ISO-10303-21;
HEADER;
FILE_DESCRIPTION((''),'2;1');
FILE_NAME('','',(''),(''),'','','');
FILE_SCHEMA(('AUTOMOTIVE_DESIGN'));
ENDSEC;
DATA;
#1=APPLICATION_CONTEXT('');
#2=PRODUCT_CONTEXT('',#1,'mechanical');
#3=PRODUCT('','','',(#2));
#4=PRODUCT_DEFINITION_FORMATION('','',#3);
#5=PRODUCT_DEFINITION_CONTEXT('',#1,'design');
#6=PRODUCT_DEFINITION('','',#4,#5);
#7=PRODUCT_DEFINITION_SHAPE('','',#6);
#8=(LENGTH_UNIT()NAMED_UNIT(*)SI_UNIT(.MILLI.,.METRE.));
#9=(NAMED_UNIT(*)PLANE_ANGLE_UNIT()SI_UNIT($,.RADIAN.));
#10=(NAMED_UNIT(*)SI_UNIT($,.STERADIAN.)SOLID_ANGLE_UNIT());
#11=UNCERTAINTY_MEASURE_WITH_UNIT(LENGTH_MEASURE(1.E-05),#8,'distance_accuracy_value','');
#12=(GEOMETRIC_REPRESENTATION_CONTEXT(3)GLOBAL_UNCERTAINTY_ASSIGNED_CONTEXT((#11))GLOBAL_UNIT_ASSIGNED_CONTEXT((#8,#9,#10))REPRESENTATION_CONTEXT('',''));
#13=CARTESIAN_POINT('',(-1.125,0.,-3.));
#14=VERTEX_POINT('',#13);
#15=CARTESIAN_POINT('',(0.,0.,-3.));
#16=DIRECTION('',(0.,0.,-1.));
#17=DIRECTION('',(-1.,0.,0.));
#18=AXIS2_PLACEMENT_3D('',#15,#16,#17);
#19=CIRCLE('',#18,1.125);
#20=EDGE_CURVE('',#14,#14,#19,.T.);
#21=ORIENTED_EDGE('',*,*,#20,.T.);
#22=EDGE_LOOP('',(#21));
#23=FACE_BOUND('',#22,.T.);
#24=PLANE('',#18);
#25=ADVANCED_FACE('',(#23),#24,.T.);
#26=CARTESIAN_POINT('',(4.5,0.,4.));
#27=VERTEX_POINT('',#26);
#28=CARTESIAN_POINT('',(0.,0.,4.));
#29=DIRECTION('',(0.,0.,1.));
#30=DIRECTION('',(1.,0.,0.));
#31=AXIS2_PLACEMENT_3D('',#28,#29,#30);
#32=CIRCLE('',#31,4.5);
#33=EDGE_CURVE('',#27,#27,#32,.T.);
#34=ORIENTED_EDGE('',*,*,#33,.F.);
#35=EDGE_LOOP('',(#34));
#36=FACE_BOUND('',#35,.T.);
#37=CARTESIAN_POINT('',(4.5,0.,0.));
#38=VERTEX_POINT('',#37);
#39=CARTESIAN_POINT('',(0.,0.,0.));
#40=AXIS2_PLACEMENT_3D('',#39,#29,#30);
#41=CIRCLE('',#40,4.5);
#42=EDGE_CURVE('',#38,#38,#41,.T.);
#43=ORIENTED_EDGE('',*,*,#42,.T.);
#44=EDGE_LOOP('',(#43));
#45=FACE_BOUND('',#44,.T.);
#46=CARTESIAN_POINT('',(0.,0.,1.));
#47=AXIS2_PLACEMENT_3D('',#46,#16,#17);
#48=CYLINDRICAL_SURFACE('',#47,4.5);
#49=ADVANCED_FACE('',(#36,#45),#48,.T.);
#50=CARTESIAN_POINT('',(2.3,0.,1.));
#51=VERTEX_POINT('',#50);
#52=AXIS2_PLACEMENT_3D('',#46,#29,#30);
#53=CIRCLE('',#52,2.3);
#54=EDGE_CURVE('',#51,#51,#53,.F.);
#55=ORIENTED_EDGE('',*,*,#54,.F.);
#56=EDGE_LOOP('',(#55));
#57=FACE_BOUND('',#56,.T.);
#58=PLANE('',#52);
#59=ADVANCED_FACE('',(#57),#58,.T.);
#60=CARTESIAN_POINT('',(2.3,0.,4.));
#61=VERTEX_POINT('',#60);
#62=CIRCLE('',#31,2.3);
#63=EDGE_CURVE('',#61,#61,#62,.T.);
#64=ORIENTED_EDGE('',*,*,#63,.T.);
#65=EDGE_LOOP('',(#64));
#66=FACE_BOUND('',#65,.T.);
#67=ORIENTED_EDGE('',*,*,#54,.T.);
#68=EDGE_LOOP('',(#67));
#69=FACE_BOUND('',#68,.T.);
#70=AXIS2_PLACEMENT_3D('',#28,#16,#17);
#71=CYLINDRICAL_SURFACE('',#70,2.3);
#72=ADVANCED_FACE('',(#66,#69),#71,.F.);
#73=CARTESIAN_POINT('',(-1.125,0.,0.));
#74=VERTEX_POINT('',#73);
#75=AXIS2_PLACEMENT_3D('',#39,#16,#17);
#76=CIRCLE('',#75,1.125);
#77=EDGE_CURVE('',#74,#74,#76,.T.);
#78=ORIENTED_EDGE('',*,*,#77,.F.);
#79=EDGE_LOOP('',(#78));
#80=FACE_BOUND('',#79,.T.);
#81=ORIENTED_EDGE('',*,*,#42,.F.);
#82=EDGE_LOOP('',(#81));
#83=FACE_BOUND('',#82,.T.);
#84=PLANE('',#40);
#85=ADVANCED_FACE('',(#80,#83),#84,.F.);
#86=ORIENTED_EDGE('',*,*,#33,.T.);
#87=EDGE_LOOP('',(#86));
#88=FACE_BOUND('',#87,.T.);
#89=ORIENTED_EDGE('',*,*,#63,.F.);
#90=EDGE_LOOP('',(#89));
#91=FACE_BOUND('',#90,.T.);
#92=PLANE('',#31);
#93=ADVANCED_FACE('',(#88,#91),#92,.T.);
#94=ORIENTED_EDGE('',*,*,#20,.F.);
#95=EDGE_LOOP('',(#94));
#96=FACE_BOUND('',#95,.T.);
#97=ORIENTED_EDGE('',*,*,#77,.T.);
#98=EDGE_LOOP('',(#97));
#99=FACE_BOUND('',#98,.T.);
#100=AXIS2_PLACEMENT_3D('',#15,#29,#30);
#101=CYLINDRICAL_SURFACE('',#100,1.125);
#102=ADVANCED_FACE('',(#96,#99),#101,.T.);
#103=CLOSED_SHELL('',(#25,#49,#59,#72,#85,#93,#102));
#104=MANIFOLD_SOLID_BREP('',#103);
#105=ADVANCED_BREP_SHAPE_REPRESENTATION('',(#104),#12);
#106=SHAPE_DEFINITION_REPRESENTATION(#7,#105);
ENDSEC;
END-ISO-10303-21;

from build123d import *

# Parameters (mm, degrees)
ESBO_O2_R                = 4.5
RESSALTO_EXTRUS_O1_DEPTH = 1
ESBO_O3_R                = 1.125
RESSALTO_EXTRUS_O2_DEPTH = 3
ESBO_O4_R                = 4.5
ESBO_O4_R_2              = 2.3
RESSALTO_EXTRUS_O3_DEPTH = 3


with BuildPart() as part:
    # Esboço2 → Ressalto-extrusão1 (new body)
    with BuildSketch(Plane.XY):
        Circle(ESBO_O2_R)
    extrude(amount=RESSALTO_EXTRUS_O1_DEPTH)

    # Esboço3 → Ressalto-extrusão2 (add)
    with BuildSketch(Plane(origin=(0, 0, 0), x_dir=(-1, 0, 0), z_dir=(0, 0, -1))):
        Circle(ESBO_O3_R)
    extrude(amount=RESSALTO_EXTRUS_O2_DEPTH)

    # Esboço4 → Ressalto-extrusão3 (add)
    with BuildSketch(Plane.XY.offset(1)):
        Circle(ESBO_O4_R)
        Circle(ESBO_O4_R_2, mode=Mode.SUBTRACT)
    extrude(amount=RESSALTO_EXTRUS_O3_DEPTH)


solid = part.part
